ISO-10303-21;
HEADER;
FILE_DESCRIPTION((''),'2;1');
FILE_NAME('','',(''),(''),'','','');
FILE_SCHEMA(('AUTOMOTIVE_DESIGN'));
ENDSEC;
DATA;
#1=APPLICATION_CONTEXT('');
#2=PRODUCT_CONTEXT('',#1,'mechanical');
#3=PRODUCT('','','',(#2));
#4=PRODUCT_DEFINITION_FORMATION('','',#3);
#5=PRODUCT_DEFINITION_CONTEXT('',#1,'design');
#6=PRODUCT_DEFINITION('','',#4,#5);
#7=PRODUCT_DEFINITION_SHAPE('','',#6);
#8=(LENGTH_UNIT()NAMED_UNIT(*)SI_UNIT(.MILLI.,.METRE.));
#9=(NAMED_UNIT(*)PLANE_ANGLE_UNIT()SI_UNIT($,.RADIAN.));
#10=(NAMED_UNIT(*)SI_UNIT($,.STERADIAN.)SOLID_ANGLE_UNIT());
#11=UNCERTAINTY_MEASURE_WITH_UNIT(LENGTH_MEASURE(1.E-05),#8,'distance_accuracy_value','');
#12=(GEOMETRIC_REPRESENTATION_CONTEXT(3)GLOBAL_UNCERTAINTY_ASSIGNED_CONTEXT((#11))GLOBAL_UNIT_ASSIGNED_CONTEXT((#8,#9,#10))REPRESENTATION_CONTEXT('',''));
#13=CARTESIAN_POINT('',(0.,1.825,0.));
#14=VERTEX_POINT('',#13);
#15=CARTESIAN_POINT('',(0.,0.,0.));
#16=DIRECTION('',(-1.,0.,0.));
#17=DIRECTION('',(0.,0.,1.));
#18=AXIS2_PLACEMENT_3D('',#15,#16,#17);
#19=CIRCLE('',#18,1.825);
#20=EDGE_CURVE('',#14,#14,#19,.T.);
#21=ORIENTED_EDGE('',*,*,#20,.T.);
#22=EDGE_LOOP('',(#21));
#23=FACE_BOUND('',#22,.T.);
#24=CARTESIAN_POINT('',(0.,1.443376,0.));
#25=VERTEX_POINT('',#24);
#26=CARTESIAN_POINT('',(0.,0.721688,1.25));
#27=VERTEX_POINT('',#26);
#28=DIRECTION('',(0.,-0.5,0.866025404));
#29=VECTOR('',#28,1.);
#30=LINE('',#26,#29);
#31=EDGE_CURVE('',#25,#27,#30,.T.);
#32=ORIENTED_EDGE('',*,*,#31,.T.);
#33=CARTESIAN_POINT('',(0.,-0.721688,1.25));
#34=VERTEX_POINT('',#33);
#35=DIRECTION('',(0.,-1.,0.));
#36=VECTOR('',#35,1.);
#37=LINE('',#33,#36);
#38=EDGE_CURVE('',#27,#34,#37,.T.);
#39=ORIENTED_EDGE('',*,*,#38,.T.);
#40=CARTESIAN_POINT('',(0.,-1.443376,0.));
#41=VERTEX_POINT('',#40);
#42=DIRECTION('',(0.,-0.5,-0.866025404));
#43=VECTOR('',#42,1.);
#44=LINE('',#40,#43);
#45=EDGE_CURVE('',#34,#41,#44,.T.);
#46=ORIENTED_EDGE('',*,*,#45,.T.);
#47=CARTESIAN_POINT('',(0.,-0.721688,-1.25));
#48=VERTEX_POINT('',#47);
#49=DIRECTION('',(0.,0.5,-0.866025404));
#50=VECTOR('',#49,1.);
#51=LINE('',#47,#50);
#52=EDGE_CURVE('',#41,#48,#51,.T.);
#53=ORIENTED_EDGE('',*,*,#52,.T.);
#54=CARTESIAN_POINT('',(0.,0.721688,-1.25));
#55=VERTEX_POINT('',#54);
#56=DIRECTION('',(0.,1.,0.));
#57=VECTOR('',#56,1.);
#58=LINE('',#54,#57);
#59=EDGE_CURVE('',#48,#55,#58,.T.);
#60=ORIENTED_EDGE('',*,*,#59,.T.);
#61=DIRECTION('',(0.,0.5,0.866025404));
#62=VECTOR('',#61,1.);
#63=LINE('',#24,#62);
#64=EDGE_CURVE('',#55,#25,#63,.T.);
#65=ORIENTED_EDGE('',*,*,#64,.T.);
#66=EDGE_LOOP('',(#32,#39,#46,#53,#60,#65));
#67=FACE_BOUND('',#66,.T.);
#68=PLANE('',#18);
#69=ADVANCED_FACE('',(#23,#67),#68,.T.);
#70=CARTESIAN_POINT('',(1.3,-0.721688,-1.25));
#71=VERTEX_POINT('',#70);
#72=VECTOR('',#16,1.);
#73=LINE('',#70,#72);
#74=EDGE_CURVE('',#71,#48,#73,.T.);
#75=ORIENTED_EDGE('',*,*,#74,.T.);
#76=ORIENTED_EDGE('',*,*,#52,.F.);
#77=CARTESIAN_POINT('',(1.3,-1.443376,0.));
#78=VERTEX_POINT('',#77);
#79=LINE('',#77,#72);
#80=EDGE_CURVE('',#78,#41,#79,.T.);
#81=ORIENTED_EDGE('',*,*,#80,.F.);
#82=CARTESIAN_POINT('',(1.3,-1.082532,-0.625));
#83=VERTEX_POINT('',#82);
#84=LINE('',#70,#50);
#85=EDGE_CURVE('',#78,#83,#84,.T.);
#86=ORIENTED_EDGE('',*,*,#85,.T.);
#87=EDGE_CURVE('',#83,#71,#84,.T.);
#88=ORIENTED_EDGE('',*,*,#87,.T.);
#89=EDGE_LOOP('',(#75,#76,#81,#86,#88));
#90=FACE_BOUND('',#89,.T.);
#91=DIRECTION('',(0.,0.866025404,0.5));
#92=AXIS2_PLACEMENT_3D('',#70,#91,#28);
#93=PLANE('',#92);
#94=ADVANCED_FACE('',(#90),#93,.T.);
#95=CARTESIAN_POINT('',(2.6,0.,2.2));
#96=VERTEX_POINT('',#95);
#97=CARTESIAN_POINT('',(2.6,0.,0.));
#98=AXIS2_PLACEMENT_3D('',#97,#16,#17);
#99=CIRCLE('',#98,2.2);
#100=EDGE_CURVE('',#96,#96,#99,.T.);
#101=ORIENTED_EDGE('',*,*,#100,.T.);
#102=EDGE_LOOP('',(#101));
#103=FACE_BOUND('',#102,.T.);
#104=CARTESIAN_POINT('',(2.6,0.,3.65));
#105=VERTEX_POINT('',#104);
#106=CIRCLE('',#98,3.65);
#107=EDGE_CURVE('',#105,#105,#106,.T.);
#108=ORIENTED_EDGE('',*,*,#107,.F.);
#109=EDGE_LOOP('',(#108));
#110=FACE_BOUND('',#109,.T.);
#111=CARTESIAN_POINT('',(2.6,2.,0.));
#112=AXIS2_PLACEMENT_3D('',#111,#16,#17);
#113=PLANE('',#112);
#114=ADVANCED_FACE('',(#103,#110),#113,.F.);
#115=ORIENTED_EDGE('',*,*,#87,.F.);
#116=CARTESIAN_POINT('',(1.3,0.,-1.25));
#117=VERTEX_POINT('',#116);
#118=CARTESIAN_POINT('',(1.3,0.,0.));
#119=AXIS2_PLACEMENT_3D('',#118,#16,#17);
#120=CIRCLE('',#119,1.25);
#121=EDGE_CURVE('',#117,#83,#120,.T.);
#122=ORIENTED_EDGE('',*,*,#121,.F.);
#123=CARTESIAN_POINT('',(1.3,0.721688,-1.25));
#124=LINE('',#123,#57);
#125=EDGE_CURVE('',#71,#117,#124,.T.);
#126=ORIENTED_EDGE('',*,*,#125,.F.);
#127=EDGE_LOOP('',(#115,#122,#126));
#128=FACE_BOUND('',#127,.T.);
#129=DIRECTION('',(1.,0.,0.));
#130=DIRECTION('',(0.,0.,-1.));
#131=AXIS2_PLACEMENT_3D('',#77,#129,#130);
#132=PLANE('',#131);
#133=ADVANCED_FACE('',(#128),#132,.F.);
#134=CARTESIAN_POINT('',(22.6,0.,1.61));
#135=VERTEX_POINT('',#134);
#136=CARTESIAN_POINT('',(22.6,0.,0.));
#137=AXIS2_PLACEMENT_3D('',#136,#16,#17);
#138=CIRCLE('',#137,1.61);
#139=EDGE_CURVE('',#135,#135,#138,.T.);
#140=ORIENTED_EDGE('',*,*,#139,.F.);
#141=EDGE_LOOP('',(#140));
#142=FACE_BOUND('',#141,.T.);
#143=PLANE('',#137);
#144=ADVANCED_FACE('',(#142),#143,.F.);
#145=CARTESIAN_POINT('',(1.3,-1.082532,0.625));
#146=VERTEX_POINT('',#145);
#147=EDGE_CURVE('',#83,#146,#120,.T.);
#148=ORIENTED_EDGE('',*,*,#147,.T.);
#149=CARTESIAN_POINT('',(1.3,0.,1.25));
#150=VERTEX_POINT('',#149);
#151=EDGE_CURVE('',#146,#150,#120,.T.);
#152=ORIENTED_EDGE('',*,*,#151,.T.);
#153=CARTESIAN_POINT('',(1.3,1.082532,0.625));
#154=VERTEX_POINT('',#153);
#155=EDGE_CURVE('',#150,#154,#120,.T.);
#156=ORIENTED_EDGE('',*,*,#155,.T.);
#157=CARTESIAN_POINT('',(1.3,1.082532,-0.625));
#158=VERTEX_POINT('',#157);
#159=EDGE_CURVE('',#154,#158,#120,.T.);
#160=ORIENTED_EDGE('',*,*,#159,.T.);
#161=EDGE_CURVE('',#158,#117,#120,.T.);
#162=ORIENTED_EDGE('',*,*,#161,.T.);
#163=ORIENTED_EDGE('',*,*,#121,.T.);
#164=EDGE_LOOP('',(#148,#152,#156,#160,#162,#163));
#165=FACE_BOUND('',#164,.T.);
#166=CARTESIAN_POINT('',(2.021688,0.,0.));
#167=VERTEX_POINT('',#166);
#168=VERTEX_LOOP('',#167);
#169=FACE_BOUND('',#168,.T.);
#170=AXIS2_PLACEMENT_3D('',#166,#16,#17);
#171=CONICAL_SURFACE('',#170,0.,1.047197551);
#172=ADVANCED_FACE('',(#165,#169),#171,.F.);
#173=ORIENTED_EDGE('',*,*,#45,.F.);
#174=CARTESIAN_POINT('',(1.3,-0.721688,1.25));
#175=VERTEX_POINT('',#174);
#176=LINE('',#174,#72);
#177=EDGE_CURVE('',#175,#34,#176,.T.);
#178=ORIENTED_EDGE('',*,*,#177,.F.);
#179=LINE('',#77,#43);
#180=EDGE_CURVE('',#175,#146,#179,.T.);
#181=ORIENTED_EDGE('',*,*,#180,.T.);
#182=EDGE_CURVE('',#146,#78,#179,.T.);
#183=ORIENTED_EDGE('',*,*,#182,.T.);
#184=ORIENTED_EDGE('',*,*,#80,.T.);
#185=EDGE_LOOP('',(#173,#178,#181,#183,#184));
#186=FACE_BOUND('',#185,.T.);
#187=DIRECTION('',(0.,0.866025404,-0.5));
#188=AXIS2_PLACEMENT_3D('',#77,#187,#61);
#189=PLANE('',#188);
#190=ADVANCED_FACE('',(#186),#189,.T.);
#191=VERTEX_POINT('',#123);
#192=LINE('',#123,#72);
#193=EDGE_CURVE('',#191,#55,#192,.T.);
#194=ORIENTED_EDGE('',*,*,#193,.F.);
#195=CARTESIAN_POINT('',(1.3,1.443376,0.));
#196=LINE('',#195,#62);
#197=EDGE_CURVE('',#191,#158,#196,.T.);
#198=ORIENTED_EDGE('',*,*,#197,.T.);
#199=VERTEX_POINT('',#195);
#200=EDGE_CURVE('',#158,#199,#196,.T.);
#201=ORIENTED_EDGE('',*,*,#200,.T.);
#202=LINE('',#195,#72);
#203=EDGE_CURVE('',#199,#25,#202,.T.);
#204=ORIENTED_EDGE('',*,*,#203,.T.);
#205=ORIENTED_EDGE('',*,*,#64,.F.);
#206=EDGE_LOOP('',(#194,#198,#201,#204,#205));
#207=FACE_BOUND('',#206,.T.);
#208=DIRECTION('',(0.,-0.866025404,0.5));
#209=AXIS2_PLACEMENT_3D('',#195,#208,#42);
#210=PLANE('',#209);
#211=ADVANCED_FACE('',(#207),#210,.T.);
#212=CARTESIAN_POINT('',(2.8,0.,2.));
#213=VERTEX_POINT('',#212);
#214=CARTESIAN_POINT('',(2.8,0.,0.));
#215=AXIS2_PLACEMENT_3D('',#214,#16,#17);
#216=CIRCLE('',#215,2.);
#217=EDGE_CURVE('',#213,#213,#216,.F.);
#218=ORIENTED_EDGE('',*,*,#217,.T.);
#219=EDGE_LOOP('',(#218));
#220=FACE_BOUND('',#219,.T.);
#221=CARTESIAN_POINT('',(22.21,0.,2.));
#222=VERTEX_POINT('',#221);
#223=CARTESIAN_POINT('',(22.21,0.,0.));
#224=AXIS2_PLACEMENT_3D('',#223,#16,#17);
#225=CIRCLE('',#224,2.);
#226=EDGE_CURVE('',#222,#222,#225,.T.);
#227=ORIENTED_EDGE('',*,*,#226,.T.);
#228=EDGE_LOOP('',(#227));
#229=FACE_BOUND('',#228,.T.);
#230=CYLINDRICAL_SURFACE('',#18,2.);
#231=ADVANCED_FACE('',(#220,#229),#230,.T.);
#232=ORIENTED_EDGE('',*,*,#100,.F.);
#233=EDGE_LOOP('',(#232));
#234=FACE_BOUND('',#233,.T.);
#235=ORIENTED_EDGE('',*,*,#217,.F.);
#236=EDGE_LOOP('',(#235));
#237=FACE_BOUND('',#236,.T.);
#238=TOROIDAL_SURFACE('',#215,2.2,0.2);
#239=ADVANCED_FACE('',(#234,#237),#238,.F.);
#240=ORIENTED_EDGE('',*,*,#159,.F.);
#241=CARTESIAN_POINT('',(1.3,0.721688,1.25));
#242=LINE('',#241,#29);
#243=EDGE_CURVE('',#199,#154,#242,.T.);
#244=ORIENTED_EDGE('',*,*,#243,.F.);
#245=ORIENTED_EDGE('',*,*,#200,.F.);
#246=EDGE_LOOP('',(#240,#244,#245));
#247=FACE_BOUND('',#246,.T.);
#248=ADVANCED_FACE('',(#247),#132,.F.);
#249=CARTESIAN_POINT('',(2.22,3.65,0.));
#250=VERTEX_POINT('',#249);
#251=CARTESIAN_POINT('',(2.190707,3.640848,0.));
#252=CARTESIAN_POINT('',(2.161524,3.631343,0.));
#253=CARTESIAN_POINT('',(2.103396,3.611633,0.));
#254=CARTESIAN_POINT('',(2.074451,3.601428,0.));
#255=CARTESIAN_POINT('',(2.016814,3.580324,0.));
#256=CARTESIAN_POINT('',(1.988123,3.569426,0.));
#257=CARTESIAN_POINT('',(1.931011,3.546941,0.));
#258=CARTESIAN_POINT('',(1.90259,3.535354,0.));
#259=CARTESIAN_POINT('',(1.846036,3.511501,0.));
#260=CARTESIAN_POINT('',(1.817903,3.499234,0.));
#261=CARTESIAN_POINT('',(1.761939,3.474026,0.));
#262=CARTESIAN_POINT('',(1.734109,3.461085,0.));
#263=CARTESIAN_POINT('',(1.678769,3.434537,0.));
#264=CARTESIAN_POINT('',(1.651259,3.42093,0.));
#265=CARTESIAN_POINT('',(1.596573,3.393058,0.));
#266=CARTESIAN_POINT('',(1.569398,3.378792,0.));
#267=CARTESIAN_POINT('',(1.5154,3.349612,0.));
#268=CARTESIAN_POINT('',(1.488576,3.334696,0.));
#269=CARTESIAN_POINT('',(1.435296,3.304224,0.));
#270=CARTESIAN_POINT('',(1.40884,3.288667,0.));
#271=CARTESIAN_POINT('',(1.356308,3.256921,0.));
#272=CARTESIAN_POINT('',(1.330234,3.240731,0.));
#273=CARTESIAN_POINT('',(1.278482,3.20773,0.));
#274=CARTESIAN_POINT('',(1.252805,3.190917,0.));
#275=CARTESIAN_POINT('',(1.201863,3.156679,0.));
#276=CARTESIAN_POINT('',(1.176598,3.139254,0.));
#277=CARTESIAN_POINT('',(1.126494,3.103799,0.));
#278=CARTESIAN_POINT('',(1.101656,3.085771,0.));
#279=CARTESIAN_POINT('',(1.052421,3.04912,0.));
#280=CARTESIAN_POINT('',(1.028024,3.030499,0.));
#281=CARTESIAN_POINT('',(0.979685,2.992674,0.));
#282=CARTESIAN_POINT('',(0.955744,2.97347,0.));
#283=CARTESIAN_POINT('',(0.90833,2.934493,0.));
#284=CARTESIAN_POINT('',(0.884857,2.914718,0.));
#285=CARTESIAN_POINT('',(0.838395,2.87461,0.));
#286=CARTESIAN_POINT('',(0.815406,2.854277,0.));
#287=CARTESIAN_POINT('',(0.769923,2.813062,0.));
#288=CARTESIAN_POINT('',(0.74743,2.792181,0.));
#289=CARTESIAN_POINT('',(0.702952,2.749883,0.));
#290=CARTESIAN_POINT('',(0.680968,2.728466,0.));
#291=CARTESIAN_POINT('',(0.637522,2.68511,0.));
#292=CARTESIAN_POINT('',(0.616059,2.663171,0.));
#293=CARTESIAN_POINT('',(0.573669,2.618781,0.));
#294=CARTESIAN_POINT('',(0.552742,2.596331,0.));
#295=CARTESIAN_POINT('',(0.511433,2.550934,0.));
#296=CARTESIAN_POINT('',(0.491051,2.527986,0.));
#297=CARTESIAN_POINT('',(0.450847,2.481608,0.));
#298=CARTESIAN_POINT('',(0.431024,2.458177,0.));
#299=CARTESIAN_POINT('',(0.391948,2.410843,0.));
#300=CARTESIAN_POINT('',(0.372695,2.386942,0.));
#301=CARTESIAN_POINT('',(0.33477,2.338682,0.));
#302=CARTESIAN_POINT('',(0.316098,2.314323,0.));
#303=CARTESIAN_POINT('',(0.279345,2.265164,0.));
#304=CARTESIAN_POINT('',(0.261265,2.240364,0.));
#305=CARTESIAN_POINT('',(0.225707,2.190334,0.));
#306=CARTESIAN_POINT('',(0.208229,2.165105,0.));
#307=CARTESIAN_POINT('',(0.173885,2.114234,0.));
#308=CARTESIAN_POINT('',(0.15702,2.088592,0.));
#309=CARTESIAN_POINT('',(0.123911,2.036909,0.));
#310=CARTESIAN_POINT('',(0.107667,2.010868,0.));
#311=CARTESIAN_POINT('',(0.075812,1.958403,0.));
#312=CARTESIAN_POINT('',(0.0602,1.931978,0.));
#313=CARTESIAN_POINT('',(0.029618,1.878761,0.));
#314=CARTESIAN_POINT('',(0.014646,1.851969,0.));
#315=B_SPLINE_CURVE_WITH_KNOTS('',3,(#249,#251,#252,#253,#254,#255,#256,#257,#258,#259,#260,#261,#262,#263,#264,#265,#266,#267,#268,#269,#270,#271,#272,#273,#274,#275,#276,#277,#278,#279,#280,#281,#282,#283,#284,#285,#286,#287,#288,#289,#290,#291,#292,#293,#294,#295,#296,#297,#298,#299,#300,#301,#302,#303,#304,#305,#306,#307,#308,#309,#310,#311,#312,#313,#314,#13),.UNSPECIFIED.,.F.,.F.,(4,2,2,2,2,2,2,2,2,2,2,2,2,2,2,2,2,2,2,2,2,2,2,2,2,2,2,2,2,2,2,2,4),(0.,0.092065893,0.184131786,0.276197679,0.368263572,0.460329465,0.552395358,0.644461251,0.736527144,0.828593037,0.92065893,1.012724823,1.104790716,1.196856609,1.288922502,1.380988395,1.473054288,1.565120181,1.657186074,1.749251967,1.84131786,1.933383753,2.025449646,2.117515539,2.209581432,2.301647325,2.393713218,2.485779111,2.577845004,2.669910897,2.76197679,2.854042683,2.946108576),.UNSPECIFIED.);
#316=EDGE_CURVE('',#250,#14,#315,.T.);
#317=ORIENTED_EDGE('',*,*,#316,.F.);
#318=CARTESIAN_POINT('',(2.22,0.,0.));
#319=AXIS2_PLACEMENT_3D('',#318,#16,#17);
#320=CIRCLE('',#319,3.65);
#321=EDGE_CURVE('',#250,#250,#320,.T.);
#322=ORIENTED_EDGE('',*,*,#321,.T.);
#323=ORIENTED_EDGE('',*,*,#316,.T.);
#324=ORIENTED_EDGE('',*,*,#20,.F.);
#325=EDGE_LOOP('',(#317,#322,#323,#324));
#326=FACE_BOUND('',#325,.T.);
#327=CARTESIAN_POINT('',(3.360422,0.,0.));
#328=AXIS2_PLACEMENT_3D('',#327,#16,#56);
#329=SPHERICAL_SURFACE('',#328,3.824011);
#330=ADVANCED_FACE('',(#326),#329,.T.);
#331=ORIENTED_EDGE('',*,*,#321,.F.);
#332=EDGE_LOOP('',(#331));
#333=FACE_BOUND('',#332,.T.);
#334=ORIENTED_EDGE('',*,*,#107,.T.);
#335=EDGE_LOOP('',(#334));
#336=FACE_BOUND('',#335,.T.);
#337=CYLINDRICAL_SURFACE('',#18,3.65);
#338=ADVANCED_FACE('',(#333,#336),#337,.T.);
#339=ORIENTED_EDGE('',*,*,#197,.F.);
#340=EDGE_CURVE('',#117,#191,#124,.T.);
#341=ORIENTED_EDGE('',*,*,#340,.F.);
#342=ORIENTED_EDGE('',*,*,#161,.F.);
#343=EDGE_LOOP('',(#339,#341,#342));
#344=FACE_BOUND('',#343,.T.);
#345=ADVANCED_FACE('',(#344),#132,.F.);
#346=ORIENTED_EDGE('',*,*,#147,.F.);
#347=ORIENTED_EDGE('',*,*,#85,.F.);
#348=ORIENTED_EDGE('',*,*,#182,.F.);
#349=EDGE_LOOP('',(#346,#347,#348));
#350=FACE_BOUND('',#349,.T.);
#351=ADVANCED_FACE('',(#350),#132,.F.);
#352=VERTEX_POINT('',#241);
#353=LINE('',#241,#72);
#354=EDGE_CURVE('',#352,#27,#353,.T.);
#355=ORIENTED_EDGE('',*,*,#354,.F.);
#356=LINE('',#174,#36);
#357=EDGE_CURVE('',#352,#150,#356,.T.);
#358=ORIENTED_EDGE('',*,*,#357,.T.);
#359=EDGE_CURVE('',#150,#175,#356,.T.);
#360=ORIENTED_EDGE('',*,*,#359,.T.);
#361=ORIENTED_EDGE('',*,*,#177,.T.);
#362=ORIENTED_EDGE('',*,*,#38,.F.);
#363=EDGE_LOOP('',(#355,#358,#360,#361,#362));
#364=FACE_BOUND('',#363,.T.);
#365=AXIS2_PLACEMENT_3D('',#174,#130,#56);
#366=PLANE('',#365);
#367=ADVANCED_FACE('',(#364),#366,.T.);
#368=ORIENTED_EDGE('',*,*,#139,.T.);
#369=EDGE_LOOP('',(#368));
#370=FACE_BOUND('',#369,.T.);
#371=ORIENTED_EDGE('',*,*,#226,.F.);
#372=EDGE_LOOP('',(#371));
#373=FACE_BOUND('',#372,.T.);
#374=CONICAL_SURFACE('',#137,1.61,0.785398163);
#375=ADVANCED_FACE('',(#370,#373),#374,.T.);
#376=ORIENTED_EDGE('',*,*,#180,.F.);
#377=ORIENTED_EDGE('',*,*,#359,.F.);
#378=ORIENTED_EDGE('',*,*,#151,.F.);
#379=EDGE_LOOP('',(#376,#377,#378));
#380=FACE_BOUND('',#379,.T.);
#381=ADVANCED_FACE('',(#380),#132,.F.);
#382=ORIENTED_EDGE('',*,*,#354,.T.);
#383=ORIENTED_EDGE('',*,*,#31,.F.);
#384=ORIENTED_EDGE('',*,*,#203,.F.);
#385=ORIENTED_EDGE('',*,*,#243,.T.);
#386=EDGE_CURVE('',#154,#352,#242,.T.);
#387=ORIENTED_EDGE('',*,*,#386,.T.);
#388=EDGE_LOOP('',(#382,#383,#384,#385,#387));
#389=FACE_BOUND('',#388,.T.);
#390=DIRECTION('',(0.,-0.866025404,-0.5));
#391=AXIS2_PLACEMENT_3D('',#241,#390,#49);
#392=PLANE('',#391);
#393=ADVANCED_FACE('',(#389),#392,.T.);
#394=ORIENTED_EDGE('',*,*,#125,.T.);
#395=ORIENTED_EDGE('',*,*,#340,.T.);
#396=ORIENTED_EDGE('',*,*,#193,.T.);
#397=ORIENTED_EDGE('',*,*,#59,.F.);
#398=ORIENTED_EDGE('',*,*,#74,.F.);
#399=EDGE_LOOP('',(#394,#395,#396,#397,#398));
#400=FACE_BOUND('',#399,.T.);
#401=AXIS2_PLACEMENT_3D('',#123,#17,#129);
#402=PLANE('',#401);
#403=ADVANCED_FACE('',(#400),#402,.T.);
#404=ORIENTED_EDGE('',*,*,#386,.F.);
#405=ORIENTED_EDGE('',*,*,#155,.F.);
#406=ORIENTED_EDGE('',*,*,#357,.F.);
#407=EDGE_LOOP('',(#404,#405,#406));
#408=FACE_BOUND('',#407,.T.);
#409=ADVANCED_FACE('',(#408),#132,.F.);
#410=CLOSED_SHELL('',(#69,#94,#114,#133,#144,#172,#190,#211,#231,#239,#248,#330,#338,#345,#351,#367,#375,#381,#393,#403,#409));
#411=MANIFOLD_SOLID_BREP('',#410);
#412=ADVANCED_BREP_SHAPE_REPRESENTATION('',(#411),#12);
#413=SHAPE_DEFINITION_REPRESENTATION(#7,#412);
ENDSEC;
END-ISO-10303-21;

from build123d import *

# Parameters (mm, degrees)
FILLET1_R   = 0.2
HEX_2_DEPTH = 1.3


with BuildPart() as part:
    # BodySke → BaseBody (revolve)
    with BuildSketch(Plane.XY, mode=Mode.PRIVATE) as basebody_sk:
        with BuildLine():
            Line((22.6, 0), (22.6, 1.61))
            Line((22.6, 1.61), (22.21, 2))
            Line((22.21, 2), (2.6, 2))
            Line((2.6, 2), (2.6, 3.65))
            Line((2.6, 3.65), (2.22, 3.65))
            ThreePointArc((2.22, 3.65), (0.932036668, 2.953981423), (0, 1.825))
            Line((0, 1.825), (0, 0))
            Line((0, 0), (22.6, 0))
        make_face()
    revolve(basebody_sk.sketch.rotate(Axis((0, 0, 0), (1, 0, 0)), 90), axis=Axis((0, 0, 0), (1, 0, 0)))

    # Fillet1
    fillet1_edges = [part.edges().sort_by_distance(p)[0] for p in [
        (2.6, 0, -2),
    ]]
    fillet(fillet1_edges, radius=FILLET1_R)

    # Sketch2 → PreBroach (revolve, cut)
    with BuildSketch(Plane.XY, mode=Mode.PRIVATE) as prebroach_sk:
        Polygon((0, 1.25), (1.3, 1.25), (2.021687836, 0), (0, 0), align=None)
    revolve(prebroach_sk.sketch.rotate(Axis((0, 0, 0), (1, 0, 0)), 90), axis=Axis((0, 0, 0), (1, 0, 0)), mode=Mode.SUBTRACT)

    # Sketch3 → Hex 2 (cut)
    with BuildSketch(Plane(origin=(0, 0, 0), x_dir=(0, 0, -1), z_dir=(1, 0, 0))):
        Polygon((-1.25, -0.721687836), (-1.25, 0.721687836), (0, 1.443375673), (1.25, 0.721687836), (1.25, -0.721687836), (0, -1.443375673), align=None)
    extrude(amount=HEX_2_DEPTH, mode=Mode.SUBTRACT)


solid = part.part
